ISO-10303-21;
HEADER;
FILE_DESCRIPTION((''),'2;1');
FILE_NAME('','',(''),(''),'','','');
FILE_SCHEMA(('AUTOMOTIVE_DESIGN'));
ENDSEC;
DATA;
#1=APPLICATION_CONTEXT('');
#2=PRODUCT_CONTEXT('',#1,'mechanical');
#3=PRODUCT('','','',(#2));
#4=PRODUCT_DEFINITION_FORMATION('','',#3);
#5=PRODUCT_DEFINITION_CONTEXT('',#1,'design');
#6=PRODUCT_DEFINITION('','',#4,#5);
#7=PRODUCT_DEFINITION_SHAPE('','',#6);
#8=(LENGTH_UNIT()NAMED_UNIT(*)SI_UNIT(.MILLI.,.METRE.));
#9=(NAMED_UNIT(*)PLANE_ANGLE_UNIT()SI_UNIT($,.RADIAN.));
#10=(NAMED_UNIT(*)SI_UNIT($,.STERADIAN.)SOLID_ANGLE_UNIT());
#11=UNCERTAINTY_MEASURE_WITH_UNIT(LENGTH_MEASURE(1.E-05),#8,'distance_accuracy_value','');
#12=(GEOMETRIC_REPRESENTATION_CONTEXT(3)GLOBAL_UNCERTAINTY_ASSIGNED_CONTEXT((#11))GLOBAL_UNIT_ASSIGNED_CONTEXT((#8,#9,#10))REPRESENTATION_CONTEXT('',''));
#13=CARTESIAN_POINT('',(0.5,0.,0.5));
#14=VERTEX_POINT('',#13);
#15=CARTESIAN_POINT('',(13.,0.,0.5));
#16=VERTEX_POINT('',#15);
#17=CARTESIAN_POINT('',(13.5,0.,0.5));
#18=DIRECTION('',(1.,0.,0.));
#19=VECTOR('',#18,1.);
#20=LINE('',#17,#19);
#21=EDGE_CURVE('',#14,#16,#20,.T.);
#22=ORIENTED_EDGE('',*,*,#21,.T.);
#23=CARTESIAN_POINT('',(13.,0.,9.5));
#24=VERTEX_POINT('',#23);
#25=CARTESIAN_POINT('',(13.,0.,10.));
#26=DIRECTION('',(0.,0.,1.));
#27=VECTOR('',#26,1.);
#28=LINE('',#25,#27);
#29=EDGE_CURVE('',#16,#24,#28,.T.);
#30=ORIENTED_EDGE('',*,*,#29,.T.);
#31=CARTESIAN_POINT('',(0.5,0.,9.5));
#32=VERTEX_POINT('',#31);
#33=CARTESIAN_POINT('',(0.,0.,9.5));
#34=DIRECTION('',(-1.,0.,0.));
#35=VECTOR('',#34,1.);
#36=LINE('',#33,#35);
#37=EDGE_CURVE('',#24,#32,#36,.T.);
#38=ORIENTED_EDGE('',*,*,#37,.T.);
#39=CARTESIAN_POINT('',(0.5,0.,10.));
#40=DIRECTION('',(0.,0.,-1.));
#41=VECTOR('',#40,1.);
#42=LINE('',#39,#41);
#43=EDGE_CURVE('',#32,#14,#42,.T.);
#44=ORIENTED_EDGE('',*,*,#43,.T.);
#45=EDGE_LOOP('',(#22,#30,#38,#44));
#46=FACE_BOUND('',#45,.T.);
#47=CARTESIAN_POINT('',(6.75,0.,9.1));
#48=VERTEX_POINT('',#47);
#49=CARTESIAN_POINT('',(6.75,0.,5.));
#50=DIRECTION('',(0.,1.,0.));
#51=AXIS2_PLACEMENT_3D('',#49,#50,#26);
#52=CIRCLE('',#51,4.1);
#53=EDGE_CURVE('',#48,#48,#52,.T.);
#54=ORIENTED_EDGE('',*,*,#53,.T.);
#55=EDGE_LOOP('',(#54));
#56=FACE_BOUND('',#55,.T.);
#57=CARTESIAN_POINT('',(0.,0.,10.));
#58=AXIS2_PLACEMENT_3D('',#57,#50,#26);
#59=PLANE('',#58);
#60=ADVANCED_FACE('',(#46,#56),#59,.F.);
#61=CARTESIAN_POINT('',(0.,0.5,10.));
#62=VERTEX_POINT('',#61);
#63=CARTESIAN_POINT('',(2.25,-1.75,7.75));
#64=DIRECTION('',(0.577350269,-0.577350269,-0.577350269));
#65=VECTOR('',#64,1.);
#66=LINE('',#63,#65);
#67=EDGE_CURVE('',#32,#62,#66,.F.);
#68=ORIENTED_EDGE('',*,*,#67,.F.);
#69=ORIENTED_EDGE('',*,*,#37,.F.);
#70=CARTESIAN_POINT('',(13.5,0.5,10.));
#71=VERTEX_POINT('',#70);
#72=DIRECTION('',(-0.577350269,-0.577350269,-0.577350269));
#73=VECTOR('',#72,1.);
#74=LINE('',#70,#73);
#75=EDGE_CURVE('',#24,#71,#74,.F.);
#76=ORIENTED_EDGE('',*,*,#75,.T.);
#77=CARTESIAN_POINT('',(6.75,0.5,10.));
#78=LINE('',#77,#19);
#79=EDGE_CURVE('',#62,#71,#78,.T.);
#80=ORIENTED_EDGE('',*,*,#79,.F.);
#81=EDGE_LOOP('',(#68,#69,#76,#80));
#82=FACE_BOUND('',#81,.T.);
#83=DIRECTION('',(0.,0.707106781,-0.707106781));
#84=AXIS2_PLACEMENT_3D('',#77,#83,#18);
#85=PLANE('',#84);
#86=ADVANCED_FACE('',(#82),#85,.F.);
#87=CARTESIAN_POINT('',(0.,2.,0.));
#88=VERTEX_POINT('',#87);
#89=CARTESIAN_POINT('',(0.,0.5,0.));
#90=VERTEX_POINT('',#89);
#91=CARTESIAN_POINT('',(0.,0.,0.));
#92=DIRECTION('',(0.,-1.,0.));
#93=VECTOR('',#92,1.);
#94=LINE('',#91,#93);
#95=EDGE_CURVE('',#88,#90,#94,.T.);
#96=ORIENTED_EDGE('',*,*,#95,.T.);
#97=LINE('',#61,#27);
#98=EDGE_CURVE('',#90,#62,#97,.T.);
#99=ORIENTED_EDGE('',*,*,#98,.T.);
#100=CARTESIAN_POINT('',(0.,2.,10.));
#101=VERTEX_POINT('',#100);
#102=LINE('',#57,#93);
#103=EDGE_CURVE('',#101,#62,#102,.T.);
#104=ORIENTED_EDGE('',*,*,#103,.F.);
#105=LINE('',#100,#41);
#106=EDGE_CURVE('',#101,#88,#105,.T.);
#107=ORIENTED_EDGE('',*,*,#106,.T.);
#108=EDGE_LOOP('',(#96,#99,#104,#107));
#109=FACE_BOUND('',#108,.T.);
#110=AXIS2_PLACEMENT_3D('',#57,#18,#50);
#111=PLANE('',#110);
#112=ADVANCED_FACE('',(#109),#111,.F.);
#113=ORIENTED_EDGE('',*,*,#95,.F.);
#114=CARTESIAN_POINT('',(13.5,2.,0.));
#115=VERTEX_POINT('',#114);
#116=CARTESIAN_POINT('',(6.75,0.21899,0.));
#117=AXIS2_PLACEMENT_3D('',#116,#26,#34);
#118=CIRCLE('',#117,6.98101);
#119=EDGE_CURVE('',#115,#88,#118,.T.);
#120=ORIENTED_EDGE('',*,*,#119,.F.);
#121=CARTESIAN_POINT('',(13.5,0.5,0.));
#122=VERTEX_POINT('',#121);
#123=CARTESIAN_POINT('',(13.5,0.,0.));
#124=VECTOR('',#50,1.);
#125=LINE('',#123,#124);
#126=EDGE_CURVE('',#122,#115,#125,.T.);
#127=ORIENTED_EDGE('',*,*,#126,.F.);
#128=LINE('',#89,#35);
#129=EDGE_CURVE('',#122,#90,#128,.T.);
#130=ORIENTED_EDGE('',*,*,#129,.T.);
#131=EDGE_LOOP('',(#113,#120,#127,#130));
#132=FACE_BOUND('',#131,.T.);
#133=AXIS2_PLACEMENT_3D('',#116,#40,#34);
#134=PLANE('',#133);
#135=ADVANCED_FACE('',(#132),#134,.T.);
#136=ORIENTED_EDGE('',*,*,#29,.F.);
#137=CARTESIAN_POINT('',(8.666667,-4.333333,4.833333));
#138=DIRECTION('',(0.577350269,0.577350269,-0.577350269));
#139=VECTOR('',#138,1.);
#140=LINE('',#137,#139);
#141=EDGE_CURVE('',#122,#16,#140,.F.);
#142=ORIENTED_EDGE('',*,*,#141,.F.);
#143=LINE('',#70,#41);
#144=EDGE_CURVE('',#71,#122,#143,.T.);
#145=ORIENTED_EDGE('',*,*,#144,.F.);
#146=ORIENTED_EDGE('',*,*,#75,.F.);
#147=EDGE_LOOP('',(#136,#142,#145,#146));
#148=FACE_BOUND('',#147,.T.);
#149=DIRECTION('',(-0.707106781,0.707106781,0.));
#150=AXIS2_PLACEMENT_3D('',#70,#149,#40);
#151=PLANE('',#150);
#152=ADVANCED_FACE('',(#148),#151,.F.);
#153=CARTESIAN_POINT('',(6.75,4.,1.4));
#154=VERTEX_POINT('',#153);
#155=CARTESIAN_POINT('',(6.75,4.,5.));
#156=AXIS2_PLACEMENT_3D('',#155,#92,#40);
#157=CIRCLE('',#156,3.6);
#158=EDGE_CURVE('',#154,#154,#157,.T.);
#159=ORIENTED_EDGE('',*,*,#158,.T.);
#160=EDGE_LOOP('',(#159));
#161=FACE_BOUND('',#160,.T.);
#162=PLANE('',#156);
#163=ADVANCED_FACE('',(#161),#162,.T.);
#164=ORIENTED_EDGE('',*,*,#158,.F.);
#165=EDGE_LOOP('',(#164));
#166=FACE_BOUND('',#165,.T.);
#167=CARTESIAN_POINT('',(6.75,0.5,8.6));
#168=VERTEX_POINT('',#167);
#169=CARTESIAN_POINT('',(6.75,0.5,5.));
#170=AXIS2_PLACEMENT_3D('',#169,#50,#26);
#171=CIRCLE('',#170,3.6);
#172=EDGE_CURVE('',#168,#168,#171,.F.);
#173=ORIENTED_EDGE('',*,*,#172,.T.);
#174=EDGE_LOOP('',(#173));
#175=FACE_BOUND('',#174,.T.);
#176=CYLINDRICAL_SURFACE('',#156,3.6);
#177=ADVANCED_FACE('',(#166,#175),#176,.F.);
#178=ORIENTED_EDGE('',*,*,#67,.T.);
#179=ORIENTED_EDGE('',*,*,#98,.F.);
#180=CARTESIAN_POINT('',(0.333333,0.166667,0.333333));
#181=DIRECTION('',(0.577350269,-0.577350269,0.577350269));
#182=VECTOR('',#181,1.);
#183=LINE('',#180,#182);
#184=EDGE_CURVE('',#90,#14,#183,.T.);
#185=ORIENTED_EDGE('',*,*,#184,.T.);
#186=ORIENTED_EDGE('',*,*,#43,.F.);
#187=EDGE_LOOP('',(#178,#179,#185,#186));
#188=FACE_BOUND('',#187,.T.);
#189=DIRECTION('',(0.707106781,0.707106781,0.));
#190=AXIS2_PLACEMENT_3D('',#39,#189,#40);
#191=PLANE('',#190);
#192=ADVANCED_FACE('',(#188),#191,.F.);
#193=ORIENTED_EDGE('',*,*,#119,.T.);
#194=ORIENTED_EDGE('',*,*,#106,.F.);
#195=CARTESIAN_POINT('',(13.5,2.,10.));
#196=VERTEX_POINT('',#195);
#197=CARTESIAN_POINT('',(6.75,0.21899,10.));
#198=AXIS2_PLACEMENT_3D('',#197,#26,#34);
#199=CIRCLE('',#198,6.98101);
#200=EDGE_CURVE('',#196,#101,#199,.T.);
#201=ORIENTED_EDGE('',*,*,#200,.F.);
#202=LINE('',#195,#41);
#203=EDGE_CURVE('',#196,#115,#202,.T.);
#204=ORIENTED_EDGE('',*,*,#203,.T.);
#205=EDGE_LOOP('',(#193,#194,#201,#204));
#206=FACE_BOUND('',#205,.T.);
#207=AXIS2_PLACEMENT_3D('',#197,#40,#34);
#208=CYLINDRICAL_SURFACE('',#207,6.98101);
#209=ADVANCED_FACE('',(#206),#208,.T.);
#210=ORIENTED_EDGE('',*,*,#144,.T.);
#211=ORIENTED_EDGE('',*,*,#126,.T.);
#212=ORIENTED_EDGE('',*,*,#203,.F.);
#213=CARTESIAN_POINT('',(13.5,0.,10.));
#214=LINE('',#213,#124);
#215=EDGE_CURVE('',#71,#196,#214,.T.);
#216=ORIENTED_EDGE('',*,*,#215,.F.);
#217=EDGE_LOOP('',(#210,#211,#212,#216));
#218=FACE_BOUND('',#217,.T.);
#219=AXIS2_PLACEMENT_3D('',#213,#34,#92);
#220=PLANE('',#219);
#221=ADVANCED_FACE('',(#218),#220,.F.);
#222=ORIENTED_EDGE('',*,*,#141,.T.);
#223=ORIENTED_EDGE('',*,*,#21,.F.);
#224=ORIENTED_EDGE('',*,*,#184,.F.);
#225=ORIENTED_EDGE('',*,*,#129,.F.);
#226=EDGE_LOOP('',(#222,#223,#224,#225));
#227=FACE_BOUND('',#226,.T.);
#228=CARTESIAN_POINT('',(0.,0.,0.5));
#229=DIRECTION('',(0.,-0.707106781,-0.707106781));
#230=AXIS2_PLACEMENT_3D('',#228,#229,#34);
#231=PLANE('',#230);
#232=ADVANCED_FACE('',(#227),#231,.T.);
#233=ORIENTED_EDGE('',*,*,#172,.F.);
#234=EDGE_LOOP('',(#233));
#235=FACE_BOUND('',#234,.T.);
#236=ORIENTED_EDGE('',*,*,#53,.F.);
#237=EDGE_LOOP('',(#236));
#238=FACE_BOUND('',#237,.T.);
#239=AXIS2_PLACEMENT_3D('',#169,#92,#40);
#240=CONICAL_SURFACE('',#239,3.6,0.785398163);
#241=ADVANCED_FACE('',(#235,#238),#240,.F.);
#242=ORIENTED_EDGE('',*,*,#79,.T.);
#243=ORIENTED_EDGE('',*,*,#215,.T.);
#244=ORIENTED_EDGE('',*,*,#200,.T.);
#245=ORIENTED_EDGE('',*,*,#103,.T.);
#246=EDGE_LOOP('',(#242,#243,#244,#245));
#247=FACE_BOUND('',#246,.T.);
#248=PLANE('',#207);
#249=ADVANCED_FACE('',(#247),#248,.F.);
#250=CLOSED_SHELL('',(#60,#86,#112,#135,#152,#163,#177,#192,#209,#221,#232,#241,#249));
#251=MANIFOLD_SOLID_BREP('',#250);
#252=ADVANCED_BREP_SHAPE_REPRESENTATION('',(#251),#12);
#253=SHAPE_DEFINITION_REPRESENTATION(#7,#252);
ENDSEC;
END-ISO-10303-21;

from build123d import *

# Parameters (mm, degrees)
BOSS_EXTRUDE1_DEPTH = 10
SKETCH2_R           = 3.6
CUT_EXTRUDE1_DEPTH  = 4
CHAMFER1_SIZE       = 0.5


with BuildPart() as part:
    # Sketch1 → Boss-Extrude1 (new body)
    with BuildSketch(Plane.XY):
        with BuildLine():
            Line((0, 0), (13.5, 0))
            Line((13.5, 0), (13.5, 2))
            ThreePointArc((13.5, 2), (6.75, 7.2), (0, 2))
            Line((0, 2), (0, 0))
        make_face()
    extrude(amount=BOSS_EXTRUDE1_DEPTH)

    # Sketch2 → Cut-Extrude1 (cut)
    with BuildSketch(Plane.XZ):
        with Locations(Location((6.75, 5, 0), (0, 0, 270))):
            Circle(SKETCH2_R)
    extrude(amount=-CUT_EXTRUDE1_DEPTH, mode=Mode.SUBTRACT)

    # Chamfer1
    chamfer1_edges = [part.edges().sort_by_distance(p)[0] for p in [
        (6.75, 0, 8.6),
        (6.75, 0, 0),
        (6.75, 0, 10),
        (13.5, 0, 5),
        (0, 0, 5),
    ]]
    chamfer(chamfer1_edges, length=CHAMFER1_SIZE)


solid = part.part
